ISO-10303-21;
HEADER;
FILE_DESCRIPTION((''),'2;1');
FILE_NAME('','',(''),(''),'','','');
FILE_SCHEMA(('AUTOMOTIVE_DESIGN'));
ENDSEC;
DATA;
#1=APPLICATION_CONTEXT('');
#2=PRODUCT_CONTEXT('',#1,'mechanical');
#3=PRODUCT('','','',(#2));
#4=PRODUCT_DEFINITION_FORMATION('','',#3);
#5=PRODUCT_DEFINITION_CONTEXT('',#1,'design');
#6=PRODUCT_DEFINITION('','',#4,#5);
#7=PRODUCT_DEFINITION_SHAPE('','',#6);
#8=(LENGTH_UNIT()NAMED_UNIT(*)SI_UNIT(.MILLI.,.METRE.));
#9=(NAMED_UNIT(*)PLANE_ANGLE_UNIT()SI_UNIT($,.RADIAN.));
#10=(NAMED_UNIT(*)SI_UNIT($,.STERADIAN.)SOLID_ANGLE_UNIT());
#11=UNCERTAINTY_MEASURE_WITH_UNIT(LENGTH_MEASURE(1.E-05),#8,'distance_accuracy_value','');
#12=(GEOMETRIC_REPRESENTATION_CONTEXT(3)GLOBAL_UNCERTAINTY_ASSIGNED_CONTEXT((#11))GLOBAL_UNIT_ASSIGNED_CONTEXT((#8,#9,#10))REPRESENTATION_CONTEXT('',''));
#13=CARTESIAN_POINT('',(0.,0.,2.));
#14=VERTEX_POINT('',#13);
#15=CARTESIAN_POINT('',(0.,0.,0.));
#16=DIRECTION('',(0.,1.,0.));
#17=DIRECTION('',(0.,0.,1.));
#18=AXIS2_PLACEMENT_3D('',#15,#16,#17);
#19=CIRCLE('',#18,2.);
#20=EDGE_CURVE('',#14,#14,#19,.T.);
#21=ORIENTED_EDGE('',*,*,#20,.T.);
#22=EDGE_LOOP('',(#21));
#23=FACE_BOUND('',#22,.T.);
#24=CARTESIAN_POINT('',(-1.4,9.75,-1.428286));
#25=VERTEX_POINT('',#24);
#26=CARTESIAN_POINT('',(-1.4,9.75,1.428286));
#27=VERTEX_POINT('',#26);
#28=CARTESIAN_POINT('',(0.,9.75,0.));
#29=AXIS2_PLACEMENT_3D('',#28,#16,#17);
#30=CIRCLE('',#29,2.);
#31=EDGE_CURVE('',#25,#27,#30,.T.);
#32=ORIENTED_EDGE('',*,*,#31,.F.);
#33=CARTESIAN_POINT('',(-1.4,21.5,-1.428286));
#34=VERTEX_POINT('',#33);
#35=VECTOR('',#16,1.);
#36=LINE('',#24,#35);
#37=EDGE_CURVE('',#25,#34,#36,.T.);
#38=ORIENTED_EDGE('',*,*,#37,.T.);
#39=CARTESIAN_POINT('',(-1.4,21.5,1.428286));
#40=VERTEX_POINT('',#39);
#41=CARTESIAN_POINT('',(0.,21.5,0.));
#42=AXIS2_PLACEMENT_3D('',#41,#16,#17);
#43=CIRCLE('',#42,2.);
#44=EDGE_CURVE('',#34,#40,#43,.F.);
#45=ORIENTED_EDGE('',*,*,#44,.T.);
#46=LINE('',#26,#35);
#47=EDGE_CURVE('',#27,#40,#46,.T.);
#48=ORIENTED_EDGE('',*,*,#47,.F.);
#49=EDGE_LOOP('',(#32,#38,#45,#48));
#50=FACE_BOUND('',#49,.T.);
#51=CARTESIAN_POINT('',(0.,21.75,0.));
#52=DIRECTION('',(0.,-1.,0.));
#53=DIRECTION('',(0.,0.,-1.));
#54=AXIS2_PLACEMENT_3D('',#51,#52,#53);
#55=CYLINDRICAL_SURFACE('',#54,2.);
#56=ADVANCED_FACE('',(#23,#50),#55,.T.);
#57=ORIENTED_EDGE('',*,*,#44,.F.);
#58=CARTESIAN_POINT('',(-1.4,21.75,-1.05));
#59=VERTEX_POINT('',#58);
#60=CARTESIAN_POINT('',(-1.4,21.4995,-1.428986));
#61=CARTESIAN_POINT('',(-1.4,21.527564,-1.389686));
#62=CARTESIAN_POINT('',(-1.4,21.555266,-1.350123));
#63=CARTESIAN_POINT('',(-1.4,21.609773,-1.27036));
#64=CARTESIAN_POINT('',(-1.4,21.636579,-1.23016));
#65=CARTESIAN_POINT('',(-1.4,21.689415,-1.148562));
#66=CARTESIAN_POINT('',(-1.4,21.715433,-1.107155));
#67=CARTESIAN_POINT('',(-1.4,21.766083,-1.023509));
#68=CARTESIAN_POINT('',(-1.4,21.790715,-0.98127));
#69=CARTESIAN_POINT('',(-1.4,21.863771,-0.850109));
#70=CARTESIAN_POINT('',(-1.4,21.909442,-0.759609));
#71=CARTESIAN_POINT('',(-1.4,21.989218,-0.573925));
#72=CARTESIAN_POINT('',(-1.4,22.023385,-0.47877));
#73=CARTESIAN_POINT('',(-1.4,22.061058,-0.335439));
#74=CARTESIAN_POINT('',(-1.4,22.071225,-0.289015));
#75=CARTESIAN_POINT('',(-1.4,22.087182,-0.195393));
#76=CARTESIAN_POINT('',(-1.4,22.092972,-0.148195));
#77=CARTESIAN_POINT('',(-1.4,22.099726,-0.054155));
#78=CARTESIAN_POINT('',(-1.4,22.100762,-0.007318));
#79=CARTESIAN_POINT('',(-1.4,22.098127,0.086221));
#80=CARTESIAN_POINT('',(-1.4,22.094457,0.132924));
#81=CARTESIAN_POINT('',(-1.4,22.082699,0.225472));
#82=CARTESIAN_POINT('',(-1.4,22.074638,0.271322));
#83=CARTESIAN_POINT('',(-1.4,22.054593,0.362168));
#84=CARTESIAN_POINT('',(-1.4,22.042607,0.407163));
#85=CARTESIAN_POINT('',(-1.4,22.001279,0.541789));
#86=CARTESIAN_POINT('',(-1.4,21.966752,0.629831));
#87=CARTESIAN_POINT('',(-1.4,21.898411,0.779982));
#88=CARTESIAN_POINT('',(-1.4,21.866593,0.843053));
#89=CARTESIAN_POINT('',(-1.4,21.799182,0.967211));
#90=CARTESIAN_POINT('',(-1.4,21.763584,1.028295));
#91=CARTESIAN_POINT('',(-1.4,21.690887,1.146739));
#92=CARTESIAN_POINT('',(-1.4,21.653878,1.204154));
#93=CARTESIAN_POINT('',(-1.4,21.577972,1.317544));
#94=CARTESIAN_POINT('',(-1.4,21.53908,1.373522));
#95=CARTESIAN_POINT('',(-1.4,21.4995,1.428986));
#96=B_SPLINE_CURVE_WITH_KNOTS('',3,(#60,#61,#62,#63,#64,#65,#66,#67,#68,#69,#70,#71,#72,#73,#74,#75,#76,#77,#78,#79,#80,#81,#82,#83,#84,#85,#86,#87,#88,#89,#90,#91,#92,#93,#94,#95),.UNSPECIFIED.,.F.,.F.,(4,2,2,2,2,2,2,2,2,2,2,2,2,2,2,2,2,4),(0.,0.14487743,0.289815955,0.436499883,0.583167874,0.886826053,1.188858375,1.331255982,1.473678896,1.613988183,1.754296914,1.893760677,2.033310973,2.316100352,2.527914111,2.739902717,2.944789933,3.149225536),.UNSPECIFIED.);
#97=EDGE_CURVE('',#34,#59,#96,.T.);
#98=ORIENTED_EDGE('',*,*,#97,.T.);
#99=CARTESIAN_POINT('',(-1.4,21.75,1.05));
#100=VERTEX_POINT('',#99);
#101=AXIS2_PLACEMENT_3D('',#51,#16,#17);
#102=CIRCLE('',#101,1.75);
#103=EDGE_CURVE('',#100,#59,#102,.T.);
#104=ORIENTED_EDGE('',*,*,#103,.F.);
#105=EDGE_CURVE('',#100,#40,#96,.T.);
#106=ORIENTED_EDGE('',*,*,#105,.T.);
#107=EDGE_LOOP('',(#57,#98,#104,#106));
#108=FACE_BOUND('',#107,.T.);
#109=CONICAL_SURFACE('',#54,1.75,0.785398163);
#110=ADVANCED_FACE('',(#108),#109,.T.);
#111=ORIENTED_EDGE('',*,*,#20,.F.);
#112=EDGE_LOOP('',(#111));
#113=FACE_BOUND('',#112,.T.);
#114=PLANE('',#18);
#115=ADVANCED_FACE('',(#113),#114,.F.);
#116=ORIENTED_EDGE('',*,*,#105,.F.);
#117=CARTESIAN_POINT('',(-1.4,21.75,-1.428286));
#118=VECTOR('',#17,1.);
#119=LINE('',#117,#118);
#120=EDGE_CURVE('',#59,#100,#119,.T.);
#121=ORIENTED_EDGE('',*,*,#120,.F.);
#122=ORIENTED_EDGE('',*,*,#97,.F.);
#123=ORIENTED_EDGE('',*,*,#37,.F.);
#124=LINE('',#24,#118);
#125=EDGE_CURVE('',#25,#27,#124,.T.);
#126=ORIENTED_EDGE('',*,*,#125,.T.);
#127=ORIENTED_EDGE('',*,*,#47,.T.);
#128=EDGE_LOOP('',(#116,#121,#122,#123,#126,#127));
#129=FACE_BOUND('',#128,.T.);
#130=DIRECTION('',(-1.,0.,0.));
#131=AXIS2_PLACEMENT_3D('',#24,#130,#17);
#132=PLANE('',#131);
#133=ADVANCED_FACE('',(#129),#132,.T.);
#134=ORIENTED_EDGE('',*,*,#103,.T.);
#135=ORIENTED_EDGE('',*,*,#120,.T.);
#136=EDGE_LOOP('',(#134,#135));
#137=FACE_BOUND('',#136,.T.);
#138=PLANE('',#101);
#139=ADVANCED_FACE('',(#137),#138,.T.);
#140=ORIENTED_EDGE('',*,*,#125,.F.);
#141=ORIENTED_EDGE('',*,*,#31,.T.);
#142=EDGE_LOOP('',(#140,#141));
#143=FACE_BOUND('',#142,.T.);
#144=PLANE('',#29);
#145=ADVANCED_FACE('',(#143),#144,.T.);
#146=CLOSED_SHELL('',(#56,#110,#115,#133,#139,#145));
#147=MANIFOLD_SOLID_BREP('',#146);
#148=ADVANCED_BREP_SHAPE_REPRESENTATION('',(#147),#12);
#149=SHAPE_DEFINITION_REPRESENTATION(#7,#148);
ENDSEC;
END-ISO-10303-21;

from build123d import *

# Parameters (mm, degrees)
SKETCH1_R           = 2
BOSS_EXTRUDE1_DEPTH = 21.75
CHAMFER1_SIZE       = 0.25
SKETCH2_OUTSIDE_W   = 10.494
SKETCH2_OUTSIDE_H   = 10.494
CUT_EXTRUDE1_DEPTH  = 12


with BuildPart() as part:
    # Sketch1 → Boss-Extrude1 (new body)
    with BuildSketch(Plane(origin=(0, 0, 0), x_dir=(1, 0, 0), z_dir=(0, 1, 0))):
        with Locations(Location((0, 0, 0), (0, 0, 270))):
            Circle(SKETCH1_R)
    extrude(amount=BOSS_EXTRUDE1_DEPTH)

    # Chamfer1
    chamfer1_edges = [part.edges().sort_by_distance(p)[0] for p in [
        (0, 21.75, -2),
    ]]
    chamfer(chamfer1_edges, length=CHAMFER1_SIZE)

    # Sketch2 outside → Cut-Extrude1 (cut)
    with BuildSketch(Plane(origin=(0, 21.75, 0), x_dir=(1, 0, 0), z_dir=(0, 1, 0))):
        Rectangle(SKETCH2_OUTSIDE_W, SKETCH2_OUTSIDE_H)
        with BuildLine():
            Line((-1.4, 1.428285686), (-1.4, -1.428285686))
            ThreePointArc((-1.4, -1.428285686), (2, 0), (-1.4, 1.428285686))
        make_face(mode=Mode.SUBTRACT)
    extrude(amount=-CUT_EXTRUDE1_DEPTH, mode=Mode.SUBTRACT)


solid = part.part
